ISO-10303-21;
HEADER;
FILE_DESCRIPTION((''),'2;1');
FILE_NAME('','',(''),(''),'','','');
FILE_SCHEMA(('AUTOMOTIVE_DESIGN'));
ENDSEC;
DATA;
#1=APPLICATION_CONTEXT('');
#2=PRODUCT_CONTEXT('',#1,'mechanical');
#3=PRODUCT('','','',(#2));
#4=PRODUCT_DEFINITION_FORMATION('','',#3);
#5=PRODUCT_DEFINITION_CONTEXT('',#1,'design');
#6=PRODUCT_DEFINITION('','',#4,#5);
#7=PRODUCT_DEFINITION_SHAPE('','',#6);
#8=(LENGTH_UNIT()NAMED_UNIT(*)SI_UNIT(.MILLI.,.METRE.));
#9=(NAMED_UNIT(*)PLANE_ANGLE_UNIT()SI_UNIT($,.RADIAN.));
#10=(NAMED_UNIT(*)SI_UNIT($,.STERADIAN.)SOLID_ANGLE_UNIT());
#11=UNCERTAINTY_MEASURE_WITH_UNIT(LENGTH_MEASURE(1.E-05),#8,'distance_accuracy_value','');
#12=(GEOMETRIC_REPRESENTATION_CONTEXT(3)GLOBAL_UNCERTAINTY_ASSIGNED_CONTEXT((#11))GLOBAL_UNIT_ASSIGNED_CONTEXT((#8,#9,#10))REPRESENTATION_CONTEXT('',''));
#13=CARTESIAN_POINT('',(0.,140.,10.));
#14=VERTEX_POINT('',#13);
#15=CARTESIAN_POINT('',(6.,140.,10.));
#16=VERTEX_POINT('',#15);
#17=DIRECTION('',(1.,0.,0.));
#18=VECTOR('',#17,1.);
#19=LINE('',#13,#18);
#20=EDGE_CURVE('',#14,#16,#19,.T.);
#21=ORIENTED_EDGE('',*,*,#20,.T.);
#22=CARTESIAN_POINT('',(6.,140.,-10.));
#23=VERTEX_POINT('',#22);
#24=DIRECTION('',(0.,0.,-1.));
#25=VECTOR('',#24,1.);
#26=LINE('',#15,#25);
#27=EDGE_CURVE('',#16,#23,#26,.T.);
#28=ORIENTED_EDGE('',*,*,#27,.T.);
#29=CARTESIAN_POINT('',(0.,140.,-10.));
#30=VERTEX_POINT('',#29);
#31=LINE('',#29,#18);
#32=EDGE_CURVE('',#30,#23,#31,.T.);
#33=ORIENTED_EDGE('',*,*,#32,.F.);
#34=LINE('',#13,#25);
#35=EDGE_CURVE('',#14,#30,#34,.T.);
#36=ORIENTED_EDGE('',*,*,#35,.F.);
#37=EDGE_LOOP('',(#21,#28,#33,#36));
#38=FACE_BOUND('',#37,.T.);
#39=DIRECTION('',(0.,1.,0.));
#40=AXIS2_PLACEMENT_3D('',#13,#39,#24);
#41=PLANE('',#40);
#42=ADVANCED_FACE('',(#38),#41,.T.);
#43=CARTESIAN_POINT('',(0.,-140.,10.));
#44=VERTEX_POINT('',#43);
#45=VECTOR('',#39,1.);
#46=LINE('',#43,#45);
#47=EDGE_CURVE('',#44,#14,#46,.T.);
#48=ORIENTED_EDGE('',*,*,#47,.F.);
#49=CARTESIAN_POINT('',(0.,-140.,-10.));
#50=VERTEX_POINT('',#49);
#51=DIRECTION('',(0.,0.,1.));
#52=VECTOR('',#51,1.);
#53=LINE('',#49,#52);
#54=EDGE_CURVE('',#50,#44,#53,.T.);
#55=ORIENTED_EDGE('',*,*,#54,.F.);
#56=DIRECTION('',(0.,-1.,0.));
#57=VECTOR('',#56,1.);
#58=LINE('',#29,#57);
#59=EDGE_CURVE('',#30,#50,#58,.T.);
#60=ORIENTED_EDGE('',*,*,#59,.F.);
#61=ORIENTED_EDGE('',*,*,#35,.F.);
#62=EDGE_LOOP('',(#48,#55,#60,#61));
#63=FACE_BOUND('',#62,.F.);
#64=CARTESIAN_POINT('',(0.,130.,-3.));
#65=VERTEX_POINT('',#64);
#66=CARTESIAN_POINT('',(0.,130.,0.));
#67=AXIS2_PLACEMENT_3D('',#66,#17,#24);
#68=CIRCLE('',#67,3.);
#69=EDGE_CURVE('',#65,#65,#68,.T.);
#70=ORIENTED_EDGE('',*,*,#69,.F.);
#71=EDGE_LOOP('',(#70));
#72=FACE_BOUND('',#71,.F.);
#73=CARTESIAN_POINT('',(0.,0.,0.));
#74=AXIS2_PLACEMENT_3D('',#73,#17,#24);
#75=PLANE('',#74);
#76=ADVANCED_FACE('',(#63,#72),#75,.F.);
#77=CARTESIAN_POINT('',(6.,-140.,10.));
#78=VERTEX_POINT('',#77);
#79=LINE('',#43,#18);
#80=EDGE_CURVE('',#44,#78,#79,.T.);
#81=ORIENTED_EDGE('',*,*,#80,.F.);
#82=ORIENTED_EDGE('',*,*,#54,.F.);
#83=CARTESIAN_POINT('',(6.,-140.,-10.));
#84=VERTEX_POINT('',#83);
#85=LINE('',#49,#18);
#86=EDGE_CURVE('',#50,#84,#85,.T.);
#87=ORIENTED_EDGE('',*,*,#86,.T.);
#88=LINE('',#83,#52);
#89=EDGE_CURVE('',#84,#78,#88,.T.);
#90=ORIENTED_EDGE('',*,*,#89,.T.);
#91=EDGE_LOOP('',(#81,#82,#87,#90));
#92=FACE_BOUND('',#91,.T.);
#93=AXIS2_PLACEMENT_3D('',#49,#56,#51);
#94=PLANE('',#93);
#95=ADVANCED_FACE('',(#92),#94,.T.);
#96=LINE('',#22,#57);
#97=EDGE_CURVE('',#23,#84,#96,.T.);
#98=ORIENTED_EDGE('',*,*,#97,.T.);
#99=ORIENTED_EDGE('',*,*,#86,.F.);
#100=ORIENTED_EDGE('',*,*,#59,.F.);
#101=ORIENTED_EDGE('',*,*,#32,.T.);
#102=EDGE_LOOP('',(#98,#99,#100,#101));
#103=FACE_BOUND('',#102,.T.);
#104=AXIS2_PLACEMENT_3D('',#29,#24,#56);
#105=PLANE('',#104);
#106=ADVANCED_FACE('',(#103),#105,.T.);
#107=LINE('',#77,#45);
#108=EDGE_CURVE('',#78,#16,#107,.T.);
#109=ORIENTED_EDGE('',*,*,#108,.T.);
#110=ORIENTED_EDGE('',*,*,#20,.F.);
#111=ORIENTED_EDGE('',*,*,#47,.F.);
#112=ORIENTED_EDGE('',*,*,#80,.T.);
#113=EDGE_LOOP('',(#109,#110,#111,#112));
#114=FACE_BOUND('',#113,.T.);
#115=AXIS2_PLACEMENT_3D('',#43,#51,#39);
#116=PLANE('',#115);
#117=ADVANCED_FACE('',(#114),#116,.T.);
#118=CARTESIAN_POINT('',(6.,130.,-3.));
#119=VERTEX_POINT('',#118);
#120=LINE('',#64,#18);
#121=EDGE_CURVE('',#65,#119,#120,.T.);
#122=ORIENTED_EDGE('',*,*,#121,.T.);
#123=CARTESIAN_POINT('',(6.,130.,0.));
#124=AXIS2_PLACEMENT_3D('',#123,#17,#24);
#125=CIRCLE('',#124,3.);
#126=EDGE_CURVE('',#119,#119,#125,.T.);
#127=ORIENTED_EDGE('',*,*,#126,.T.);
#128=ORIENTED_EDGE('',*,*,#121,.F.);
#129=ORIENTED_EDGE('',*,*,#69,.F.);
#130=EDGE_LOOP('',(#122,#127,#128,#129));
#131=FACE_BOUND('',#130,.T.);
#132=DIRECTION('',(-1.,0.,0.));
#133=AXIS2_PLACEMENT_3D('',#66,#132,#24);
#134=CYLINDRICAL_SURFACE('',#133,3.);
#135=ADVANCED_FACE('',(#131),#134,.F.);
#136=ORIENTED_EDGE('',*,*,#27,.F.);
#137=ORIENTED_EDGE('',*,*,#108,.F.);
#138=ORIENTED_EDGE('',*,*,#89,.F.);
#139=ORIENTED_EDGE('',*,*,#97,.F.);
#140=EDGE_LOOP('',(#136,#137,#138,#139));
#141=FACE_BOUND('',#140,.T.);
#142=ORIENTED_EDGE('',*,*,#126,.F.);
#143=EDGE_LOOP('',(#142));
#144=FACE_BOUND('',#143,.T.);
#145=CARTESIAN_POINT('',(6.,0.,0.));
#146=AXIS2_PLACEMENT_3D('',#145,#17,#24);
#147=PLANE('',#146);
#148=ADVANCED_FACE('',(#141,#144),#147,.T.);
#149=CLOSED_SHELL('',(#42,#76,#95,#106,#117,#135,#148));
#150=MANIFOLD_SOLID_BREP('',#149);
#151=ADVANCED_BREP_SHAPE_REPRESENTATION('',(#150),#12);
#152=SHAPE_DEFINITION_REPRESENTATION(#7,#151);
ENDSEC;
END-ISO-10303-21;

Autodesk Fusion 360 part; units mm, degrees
sketch "Sketch1" plane through (0, 0, 0) normal (1, 0, 0) x (0, 0, -1)
  line L0 (-10, 140) -> (10, 140)
  line L1 (10, 140) -> (10, -140)
  line L2 (10, -140) -> (-10, -140)
  line L3 (-10, -140) -> (-10, 140)
  circle A0 centre (0, 130) radius 3
  dimension "d1" = 20
  dimension "d2" = 280
  dimension "d3" = 6
  dimension "d4" = 10
extrude "Extrude1" add sketch "Sketch1" along normal blind 6
